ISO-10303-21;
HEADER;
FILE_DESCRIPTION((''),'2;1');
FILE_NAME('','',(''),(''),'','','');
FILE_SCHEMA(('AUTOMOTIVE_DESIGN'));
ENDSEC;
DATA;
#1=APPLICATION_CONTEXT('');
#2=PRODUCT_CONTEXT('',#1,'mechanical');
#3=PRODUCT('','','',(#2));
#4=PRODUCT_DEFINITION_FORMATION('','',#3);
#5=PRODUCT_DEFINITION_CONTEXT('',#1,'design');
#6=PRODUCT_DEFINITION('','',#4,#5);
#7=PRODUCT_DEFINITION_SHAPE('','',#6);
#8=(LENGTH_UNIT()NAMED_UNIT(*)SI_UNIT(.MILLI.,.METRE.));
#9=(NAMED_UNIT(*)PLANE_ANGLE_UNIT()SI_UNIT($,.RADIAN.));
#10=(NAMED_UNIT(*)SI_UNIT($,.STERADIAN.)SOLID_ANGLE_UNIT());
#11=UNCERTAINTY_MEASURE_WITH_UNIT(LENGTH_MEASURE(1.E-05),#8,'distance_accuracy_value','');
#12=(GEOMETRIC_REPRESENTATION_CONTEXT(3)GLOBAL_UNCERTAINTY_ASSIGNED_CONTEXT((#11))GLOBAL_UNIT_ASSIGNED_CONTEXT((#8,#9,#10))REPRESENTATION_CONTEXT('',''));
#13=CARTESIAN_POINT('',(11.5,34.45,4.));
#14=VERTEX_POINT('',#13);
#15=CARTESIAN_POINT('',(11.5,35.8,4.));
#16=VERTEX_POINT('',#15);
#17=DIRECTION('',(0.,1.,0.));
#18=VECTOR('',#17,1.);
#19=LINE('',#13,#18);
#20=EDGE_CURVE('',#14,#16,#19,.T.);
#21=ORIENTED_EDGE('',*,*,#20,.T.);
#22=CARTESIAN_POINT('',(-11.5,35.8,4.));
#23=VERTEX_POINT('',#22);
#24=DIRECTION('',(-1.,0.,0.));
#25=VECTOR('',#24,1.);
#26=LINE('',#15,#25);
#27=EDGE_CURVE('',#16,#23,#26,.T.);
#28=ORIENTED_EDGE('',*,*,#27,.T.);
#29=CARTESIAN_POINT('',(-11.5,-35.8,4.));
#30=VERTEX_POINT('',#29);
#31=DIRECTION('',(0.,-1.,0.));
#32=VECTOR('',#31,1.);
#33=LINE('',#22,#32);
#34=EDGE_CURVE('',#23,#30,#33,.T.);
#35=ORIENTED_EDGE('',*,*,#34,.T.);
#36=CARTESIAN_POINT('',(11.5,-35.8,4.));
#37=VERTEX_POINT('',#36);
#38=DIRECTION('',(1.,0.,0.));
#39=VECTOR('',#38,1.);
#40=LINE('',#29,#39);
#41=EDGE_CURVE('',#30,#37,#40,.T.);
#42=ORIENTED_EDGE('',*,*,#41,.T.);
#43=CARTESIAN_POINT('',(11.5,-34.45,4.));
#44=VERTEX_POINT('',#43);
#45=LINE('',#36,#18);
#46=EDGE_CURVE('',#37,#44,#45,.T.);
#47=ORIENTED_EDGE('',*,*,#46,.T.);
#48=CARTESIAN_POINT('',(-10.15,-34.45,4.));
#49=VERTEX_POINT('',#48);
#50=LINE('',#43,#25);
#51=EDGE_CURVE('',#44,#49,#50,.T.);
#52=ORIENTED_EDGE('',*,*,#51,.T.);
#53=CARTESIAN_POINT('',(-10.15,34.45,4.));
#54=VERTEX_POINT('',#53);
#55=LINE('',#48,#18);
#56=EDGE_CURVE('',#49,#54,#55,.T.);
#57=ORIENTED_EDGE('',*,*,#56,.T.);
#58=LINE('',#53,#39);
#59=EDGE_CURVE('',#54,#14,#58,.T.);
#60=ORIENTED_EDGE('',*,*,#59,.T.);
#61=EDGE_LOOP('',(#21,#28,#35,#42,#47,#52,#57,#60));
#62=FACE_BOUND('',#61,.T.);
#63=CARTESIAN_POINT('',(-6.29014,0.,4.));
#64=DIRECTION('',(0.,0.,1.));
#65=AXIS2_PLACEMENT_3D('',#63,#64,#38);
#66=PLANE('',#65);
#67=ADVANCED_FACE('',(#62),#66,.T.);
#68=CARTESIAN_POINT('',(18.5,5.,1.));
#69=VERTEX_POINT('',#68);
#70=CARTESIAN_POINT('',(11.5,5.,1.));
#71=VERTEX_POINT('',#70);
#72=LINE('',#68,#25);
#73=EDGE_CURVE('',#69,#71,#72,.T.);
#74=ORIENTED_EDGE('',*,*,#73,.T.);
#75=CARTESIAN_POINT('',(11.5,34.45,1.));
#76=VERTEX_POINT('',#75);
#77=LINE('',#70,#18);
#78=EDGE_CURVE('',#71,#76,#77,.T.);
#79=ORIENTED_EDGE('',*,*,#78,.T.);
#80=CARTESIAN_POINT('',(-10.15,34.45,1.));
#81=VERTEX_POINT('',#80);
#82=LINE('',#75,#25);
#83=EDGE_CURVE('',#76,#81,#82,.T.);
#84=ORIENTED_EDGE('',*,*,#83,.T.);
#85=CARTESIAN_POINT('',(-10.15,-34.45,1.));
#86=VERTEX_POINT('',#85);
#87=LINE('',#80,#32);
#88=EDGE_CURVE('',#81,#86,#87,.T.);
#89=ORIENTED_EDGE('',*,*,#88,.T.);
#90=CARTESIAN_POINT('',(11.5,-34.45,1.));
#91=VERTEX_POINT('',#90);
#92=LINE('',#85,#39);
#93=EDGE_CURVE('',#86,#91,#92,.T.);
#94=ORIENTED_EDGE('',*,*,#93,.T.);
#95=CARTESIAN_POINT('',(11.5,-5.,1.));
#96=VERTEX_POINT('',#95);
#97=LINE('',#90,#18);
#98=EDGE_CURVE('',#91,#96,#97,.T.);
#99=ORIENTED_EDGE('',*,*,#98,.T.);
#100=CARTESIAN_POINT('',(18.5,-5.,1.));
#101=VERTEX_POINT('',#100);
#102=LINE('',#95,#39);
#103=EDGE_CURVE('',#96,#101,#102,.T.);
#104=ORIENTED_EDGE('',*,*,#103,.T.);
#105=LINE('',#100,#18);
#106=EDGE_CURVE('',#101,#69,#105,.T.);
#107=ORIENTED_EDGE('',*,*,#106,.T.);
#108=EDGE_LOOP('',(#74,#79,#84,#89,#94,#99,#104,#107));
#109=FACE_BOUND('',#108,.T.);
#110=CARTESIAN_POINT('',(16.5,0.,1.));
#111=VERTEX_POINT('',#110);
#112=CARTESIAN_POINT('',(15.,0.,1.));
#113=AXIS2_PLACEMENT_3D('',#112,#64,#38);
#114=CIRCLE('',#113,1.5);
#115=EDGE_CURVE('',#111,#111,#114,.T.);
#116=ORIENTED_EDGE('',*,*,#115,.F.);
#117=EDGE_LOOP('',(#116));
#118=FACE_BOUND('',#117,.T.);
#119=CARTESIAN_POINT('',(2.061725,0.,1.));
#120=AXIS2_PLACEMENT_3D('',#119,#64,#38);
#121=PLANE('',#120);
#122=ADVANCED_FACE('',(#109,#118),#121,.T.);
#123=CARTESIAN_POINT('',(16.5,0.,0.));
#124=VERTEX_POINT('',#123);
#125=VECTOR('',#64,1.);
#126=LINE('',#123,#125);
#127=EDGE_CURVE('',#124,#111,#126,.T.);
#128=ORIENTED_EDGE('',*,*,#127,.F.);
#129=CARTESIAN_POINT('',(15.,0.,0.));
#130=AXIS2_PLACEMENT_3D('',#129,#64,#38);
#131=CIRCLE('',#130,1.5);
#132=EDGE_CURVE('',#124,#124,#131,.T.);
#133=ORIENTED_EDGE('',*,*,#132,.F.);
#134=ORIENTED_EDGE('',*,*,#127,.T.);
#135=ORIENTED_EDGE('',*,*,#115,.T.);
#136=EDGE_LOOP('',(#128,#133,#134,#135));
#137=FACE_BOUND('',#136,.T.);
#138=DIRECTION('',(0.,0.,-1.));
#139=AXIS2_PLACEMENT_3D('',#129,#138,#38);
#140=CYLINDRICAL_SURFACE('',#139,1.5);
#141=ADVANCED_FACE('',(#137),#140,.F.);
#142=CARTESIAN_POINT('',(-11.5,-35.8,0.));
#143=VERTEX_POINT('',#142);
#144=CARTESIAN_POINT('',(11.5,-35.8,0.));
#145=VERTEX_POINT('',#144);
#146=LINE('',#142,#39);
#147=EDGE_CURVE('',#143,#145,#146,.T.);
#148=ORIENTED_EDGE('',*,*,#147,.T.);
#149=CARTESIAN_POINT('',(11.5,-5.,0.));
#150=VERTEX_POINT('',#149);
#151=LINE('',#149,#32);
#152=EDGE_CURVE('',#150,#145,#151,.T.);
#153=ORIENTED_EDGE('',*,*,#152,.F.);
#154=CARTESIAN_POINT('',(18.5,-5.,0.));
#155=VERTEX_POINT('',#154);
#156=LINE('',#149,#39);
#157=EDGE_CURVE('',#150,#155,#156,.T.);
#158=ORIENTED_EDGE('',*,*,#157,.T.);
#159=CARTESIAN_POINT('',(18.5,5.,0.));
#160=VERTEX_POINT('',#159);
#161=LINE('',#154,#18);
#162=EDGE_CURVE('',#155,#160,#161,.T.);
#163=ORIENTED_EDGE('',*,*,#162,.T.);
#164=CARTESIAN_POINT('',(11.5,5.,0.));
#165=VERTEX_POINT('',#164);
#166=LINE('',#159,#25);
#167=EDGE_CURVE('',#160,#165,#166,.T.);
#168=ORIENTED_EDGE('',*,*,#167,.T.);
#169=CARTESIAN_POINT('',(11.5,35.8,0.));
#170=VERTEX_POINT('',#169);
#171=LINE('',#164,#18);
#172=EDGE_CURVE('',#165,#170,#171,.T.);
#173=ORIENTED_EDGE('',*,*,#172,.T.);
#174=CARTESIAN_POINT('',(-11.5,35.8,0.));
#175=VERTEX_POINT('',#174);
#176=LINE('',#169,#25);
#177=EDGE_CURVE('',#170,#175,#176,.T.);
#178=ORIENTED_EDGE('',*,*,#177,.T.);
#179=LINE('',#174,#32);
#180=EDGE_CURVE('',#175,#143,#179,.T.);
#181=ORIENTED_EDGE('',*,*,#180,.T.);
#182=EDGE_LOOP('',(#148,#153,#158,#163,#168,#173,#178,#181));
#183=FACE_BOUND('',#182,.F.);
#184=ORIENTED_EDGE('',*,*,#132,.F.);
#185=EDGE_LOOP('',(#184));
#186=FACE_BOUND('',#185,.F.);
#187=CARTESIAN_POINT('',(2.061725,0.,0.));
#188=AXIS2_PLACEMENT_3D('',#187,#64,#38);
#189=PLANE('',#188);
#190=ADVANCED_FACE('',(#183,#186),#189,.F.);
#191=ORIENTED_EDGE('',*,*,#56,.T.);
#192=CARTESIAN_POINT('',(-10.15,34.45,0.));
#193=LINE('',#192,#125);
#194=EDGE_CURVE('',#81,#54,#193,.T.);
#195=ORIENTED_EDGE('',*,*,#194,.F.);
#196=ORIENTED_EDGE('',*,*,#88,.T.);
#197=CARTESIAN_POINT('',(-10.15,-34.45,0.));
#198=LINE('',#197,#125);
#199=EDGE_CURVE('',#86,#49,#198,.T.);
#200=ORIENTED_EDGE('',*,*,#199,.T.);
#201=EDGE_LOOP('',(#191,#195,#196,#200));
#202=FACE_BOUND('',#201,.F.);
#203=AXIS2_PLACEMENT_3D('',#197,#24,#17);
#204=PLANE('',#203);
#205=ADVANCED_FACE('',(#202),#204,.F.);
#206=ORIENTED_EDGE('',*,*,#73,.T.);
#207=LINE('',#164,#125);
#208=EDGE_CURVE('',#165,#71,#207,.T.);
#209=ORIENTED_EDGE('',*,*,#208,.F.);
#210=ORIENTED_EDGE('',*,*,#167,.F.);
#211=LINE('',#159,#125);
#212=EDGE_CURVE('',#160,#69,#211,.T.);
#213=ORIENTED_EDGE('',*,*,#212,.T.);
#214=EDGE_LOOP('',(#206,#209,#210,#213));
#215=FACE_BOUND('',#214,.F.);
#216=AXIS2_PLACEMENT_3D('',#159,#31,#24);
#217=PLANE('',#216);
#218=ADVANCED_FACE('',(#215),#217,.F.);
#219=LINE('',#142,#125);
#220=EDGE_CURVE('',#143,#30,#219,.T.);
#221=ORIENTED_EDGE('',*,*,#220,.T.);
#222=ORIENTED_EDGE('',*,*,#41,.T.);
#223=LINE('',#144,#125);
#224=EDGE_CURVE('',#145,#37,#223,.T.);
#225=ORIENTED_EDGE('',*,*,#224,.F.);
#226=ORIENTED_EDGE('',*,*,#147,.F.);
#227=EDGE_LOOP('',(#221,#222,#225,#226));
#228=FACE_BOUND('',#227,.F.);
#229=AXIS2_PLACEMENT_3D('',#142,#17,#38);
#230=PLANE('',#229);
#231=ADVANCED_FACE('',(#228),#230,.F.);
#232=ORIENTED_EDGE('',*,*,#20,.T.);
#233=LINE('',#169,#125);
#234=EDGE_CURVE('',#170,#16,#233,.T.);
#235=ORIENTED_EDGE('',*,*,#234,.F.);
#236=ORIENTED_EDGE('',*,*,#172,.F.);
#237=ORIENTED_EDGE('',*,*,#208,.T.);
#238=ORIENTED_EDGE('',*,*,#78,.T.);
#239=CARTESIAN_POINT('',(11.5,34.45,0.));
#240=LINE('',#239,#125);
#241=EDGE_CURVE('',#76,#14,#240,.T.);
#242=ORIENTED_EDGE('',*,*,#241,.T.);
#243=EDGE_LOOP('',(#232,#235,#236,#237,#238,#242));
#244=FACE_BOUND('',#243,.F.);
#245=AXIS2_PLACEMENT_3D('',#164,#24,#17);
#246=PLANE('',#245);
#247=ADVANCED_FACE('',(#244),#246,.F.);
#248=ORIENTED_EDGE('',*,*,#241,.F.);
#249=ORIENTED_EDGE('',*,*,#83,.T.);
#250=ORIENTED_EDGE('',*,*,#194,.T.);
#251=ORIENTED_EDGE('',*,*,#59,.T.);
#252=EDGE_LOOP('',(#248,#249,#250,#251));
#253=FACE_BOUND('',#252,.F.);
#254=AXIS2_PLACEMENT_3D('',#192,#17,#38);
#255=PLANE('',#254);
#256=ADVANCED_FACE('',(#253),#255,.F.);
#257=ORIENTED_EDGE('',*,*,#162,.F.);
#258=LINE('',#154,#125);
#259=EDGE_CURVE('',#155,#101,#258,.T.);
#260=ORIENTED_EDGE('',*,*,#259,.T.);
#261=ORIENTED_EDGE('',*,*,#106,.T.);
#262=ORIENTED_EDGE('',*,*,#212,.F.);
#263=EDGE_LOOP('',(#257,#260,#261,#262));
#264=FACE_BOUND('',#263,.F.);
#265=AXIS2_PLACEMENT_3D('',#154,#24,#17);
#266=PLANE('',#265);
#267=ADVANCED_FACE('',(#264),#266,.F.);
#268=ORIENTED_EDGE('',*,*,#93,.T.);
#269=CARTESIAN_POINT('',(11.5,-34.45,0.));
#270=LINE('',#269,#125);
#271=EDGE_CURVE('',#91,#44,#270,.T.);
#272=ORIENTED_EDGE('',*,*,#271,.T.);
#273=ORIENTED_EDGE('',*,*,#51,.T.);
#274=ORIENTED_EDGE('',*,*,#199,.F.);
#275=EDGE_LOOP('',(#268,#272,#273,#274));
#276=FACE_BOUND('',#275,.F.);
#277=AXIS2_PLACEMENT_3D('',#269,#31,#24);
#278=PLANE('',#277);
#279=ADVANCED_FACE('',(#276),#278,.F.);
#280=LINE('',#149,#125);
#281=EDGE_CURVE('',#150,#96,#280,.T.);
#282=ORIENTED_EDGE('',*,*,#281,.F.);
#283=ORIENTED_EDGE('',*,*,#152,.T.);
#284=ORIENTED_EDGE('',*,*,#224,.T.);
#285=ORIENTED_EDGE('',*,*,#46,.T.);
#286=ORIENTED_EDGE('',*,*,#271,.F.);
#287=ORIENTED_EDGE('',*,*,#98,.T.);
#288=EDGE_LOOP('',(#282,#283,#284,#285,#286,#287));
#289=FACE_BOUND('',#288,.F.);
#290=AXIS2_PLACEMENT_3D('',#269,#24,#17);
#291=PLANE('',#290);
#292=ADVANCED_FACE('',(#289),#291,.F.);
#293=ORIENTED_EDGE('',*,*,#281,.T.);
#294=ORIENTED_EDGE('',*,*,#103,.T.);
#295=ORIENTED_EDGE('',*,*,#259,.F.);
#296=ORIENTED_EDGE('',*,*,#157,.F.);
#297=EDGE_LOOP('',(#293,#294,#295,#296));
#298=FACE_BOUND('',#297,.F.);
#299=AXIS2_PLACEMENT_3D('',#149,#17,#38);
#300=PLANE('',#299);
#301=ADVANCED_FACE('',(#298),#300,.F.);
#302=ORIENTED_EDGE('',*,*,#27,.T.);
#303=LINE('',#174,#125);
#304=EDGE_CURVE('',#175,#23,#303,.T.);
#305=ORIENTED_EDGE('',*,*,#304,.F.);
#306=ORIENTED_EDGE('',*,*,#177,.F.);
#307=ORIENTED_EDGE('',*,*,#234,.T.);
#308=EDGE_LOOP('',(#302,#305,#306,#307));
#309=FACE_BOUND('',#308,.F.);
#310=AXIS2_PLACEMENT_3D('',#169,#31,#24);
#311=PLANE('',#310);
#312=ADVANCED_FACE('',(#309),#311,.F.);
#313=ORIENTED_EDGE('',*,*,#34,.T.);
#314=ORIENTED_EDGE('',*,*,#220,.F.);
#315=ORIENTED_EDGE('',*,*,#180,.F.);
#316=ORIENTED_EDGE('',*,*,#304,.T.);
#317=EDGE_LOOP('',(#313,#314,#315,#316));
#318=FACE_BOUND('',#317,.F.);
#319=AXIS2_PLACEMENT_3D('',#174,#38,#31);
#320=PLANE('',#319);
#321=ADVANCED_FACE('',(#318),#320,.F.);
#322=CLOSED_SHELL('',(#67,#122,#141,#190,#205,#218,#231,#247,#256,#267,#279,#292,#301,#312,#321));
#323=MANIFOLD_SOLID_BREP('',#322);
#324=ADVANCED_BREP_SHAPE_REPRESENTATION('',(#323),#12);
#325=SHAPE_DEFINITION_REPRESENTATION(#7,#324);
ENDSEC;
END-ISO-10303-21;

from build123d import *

# Parameters (mm, degrees)
F1_DEPTH = 4
F0_R     = 1.5
F2_DEPTH = 1


with BuildPart() as f1:
    # F0 (on Top) → F1 (new body)
    with BuildSketch(Plane.XY):
        Polygon((11.5, 35.8), (-11.5, 35.8), (-11.5, -35.8), (11.5, -35.8), (11.5, -34.45), (-10.15, -34.45), (-10.15, 34.45), (11.5, 34.45), align=None)
    extrude(amount=F1_DEPTH)

    # F0 (on Top) → F2 (join)
    with BuildSketch(Plane.XY):
        Polygon((11.5, 5), (11.5, 34.45), (-10.15, 34.45), (-10.15, -34.45), (11.5, -34.45), (11.5, -5), (18.5, -5), (18.5, 5), align=None)
        with Locations((15, 0)):
            Circle(F0_R, mode=Mode.SUBTRACT)
    extrude(amount=F2_DEPTH)


solid = f1.part
